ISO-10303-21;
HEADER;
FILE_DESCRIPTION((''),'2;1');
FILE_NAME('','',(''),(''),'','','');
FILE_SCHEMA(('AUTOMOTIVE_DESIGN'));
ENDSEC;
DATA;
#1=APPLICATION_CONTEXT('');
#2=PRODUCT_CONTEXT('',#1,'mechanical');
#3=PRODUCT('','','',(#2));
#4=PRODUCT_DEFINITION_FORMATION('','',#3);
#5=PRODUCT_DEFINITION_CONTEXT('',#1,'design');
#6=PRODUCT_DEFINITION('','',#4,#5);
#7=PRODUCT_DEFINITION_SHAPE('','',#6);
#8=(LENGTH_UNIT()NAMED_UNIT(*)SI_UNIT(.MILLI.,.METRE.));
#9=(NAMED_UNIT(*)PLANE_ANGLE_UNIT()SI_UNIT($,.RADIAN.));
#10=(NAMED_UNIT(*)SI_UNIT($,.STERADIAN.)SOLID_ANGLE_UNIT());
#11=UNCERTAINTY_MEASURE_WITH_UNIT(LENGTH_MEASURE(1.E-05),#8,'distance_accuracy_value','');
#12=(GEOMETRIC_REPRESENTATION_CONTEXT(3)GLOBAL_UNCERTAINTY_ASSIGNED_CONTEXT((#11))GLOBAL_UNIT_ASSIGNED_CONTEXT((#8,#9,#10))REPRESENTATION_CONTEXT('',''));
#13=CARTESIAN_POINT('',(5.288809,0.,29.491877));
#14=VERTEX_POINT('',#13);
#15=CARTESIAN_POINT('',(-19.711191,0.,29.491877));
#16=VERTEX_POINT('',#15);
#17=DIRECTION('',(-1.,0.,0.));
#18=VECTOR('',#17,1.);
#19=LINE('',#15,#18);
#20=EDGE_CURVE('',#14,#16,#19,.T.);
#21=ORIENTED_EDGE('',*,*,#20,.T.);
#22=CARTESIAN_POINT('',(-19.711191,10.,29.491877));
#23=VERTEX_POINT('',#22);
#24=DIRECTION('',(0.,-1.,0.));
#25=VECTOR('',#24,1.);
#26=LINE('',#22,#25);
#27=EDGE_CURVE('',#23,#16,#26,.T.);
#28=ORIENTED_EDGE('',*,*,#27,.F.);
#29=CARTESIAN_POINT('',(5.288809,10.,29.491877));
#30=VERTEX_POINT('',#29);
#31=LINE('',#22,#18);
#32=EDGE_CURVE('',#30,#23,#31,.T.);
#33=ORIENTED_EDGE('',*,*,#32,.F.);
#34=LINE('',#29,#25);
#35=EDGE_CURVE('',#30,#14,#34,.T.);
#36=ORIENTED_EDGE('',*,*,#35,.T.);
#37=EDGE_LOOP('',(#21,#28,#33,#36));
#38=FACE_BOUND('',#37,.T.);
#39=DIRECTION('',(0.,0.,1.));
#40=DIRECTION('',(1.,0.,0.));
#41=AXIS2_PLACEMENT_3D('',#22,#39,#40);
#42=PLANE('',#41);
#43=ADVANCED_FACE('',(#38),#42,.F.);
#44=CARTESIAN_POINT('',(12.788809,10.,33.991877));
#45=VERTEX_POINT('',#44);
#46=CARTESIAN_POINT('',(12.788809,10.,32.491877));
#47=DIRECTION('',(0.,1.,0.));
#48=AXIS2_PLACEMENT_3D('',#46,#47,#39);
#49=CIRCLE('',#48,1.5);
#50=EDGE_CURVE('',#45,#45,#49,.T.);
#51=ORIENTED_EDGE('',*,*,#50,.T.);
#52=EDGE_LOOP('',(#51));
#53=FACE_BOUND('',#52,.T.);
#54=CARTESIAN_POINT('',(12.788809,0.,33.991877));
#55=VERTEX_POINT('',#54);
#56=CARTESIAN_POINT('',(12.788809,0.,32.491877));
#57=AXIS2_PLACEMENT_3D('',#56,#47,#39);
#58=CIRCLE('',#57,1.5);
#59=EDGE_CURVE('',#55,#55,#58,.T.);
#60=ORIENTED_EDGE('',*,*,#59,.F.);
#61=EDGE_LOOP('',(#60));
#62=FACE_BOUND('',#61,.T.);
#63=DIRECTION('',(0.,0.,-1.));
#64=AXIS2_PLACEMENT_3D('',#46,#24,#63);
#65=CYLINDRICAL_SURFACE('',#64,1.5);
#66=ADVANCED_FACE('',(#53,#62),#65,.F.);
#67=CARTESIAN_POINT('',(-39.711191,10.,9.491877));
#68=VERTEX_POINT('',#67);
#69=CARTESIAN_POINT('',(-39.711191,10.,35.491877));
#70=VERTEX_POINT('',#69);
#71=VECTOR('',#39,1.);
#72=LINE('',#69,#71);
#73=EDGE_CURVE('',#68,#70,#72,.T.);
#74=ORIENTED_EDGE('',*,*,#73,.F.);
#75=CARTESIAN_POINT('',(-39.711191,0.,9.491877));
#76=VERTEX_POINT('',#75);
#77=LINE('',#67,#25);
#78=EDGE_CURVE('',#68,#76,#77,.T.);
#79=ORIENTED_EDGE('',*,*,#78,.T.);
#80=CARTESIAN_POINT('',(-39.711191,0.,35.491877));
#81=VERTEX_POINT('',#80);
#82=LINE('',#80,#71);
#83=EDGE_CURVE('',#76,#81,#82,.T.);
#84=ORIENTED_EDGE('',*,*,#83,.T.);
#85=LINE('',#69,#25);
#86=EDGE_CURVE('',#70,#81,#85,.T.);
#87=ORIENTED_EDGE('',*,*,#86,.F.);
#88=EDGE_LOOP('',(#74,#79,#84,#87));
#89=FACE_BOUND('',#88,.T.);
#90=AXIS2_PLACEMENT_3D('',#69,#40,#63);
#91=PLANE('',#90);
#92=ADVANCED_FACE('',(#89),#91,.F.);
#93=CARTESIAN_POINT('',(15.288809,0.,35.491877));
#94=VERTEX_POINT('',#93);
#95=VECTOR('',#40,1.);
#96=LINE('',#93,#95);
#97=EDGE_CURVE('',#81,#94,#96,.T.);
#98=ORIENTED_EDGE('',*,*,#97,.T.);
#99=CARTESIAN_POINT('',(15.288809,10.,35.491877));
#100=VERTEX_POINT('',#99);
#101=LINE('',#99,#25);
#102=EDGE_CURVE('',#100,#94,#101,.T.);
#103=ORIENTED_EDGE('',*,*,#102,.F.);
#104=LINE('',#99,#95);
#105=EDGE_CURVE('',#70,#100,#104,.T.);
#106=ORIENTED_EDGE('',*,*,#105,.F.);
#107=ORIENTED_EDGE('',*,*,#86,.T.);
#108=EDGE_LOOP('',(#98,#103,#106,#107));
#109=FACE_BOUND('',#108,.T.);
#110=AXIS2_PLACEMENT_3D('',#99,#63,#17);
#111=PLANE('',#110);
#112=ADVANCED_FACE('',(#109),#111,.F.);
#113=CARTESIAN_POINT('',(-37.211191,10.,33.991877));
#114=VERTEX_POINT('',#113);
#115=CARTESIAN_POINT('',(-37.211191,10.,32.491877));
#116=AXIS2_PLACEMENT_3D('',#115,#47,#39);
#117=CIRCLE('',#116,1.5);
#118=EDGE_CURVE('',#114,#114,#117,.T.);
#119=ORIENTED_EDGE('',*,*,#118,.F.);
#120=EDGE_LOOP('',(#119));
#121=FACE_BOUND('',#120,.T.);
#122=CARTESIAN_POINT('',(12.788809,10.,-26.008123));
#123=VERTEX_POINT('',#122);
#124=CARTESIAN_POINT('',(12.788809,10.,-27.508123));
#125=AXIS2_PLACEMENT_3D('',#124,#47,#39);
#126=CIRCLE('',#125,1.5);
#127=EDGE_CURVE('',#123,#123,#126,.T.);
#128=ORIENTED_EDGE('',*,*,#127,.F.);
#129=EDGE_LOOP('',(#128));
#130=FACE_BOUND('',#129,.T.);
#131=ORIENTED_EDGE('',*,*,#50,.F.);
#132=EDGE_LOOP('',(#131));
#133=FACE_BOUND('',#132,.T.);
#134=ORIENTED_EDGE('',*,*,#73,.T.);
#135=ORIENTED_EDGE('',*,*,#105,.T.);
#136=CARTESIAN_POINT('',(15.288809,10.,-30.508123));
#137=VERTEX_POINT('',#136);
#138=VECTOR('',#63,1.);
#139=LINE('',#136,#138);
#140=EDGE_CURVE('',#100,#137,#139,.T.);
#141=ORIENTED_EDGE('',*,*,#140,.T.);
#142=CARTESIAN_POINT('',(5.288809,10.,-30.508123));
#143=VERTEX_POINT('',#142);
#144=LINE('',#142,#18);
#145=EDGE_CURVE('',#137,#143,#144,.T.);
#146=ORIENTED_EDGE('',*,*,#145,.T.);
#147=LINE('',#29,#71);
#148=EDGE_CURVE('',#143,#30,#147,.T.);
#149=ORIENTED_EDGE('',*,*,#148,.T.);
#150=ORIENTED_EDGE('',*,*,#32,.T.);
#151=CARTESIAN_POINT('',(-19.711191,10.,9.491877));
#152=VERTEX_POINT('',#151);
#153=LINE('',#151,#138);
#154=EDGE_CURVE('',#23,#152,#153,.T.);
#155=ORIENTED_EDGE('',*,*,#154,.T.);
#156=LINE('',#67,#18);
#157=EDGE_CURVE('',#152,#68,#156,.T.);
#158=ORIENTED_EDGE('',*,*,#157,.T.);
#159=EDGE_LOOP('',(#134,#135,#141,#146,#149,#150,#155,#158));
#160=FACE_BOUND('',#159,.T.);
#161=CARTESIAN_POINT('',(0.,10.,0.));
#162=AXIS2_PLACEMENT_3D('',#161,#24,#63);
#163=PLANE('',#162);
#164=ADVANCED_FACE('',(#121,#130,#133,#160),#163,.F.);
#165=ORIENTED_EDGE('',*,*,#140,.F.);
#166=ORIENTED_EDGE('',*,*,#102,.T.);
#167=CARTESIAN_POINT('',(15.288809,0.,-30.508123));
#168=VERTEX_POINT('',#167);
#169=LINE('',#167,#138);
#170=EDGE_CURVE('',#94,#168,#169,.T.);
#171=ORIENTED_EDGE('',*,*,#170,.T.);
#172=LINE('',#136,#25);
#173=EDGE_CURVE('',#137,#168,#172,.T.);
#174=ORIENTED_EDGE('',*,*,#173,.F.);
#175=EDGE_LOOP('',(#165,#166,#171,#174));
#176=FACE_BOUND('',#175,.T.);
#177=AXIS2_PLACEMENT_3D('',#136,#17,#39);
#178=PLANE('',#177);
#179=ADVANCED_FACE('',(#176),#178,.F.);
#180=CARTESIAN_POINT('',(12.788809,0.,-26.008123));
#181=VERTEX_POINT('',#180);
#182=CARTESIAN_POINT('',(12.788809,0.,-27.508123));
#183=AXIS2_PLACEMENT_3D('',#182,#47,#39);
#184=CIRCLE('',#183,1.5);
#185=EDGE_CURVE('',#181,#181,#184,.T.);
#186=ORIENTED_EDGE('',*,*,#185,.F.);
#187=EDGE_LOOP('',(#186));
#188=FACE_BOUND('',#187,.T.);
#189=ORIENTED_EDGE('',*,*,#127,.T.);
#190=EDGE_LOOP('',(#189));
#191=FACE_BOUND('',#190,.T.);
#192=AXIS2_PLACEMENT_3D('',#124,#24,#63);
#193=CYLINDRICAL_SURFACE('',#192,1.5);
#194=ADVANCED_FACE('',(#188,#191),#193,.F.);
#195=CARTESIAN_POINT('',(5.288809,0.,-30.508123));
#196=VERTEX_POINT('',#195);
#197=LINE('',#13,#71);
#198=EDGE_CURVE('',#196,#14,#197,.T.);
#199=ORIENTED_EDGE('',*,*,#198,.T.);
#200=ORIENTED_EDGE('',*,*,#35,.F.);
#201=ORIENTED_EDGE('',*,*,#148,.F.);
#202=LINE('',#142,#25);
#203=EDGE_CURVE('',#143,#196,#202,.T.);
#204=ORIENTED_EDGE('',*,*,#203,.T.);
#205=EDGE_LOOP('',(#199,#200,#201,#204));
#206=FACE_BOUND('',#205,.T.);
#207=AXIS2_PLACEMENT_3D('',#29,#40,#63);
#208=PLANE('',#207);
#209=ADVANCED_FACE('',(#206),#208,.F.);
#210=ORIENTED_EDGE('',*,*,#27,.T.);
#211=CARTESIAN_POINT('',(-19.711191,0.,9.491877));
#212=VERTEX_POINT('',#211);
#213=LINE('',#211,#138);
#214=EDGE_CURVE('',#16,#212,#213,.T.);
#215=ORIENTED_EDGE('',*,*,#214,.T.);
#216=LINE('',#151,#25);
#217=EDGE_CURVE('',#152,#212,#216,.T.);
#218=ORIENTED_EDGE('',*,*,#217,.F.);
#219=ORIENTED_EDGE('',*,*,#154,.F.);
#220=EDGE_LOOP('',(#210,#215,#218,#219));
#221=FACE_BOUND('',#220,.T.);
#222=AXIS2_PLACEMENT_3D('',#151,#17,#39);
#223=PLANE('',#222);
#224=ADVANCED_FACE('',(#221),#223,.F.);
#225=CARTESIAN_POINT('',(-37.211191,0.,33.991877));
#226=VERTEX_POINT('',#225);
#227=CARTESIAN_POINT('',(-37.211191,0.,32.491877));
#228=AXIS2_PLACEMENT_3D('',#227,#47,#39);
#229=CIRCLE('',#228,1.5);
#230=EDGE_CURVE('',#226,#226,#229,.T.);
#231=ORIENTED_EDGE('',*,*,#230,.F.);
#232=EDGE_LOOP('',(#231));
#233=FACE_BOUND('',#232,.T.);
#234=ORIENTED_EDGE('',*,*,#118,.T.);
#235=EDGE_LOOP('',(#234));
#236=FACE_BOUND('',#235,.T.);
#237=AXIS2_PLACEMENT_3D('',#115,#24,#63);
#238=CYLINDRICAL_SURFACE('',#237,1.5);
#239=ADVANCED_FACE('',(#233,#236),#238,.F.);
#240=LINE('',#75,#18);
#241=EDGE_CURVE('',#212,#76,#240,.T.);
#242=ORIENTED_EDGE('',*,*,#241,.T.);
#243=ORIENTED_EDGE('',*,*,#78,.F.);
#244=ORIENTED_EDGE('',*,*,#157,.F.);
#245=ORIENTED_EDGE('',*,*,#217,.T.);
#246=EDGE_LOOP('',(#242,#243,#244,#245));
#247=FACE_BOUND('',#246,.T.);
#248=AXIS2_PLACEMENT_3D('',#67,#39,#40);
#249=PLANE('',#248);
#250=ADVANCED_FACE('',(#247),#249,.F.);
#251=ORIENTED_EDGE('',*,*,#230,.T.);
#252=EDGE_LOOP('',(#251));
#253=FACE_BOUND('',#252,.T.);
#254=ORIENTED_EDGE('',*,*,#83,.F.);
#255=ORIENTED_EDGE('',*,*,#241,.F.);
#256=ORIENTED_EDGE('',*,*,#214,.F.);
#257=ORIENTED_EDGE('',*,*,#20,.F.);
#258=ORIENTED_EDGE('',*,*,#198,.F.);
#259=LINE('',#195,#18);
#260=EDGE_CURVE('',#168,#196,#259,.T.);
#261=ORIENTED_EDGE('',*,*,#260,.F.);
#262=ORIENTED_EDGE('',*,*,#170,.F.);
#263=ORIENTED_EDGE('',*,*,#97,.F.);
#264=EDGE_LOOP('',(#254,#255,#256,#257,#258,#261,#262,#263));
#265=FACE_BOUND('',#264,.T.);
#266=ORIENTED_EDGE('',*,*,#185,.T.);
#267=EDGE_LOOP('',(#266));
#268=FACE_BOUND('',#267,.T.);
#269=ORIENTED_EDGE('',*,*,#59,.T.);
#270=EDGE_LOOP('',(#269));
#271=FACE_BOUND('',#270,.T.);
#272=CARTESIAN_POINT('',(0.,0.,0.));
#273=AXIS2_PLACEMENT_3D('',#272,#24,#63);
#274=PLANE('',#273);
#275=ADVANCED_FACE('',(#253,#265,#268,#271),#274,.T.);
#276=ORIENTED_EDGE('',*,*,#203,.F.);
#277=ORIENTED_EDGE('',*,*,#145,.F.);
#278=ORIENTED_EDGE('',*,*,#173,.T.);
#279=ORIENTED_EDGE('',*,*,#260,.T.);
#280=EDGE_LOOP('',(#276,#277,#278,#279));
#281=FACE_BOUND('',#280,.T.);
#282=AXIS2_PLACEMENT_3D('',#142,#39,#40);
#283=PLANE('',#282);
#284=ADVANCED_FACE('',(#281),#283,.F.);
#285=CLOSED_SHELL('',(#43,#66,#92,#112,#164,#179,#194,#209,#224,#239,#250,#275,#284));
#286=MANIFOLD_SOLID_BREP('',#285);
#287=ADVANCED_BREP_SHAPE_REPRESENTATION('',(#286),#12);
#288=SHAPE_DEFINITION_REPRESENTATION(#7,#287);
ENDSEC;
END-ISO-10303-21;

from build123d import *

# Parameters (mm, degrees)
ESQUISSE1_R        = 1.5
BOSS_EXTRU_1_DEPTH = 10


with BuildPart() as part:
    # Esquisse1 → Boss.-Extru.1 (new body)
    with BuildSketch(Plane(origin=(0, 0, 0), x_dir=(1, 0, 0), z_dir=(0, 1, 0))):
        Polygon((5.288808664, 30.508122744), (15.288808664, 30.508122744), (15.288808664, -35.491877256), (-39.711191336, -35.491877256), (-39.711191336, -9.491877256), (-19.711191336, -9.491877256), (-19.711191336, -29.491877256), (5.288808664, -29.491877256), align=None)
        with Locations(Location((12.788808664, -32.491877256, 0), (0, 0, 270))):
            Circle(ESQUISSE1_R, mode=Mode.SUBTRACT)
        with Locations(Location((-37.211191336, -32.491877256, 0), (0, 0, 270))):
            Circle(ESQUISSE1_R, mode=Mode.SUBTRACT)
        with Locations(Location((12.788808664, 27.508122744, 0), (0, 0, 270))):
            Circle(ESQUISSE1_R, mode=Mode.SUBTRACT)
    extrude(amount=BOSS_EXTRU_1_DEPTH)


solid = part.part
